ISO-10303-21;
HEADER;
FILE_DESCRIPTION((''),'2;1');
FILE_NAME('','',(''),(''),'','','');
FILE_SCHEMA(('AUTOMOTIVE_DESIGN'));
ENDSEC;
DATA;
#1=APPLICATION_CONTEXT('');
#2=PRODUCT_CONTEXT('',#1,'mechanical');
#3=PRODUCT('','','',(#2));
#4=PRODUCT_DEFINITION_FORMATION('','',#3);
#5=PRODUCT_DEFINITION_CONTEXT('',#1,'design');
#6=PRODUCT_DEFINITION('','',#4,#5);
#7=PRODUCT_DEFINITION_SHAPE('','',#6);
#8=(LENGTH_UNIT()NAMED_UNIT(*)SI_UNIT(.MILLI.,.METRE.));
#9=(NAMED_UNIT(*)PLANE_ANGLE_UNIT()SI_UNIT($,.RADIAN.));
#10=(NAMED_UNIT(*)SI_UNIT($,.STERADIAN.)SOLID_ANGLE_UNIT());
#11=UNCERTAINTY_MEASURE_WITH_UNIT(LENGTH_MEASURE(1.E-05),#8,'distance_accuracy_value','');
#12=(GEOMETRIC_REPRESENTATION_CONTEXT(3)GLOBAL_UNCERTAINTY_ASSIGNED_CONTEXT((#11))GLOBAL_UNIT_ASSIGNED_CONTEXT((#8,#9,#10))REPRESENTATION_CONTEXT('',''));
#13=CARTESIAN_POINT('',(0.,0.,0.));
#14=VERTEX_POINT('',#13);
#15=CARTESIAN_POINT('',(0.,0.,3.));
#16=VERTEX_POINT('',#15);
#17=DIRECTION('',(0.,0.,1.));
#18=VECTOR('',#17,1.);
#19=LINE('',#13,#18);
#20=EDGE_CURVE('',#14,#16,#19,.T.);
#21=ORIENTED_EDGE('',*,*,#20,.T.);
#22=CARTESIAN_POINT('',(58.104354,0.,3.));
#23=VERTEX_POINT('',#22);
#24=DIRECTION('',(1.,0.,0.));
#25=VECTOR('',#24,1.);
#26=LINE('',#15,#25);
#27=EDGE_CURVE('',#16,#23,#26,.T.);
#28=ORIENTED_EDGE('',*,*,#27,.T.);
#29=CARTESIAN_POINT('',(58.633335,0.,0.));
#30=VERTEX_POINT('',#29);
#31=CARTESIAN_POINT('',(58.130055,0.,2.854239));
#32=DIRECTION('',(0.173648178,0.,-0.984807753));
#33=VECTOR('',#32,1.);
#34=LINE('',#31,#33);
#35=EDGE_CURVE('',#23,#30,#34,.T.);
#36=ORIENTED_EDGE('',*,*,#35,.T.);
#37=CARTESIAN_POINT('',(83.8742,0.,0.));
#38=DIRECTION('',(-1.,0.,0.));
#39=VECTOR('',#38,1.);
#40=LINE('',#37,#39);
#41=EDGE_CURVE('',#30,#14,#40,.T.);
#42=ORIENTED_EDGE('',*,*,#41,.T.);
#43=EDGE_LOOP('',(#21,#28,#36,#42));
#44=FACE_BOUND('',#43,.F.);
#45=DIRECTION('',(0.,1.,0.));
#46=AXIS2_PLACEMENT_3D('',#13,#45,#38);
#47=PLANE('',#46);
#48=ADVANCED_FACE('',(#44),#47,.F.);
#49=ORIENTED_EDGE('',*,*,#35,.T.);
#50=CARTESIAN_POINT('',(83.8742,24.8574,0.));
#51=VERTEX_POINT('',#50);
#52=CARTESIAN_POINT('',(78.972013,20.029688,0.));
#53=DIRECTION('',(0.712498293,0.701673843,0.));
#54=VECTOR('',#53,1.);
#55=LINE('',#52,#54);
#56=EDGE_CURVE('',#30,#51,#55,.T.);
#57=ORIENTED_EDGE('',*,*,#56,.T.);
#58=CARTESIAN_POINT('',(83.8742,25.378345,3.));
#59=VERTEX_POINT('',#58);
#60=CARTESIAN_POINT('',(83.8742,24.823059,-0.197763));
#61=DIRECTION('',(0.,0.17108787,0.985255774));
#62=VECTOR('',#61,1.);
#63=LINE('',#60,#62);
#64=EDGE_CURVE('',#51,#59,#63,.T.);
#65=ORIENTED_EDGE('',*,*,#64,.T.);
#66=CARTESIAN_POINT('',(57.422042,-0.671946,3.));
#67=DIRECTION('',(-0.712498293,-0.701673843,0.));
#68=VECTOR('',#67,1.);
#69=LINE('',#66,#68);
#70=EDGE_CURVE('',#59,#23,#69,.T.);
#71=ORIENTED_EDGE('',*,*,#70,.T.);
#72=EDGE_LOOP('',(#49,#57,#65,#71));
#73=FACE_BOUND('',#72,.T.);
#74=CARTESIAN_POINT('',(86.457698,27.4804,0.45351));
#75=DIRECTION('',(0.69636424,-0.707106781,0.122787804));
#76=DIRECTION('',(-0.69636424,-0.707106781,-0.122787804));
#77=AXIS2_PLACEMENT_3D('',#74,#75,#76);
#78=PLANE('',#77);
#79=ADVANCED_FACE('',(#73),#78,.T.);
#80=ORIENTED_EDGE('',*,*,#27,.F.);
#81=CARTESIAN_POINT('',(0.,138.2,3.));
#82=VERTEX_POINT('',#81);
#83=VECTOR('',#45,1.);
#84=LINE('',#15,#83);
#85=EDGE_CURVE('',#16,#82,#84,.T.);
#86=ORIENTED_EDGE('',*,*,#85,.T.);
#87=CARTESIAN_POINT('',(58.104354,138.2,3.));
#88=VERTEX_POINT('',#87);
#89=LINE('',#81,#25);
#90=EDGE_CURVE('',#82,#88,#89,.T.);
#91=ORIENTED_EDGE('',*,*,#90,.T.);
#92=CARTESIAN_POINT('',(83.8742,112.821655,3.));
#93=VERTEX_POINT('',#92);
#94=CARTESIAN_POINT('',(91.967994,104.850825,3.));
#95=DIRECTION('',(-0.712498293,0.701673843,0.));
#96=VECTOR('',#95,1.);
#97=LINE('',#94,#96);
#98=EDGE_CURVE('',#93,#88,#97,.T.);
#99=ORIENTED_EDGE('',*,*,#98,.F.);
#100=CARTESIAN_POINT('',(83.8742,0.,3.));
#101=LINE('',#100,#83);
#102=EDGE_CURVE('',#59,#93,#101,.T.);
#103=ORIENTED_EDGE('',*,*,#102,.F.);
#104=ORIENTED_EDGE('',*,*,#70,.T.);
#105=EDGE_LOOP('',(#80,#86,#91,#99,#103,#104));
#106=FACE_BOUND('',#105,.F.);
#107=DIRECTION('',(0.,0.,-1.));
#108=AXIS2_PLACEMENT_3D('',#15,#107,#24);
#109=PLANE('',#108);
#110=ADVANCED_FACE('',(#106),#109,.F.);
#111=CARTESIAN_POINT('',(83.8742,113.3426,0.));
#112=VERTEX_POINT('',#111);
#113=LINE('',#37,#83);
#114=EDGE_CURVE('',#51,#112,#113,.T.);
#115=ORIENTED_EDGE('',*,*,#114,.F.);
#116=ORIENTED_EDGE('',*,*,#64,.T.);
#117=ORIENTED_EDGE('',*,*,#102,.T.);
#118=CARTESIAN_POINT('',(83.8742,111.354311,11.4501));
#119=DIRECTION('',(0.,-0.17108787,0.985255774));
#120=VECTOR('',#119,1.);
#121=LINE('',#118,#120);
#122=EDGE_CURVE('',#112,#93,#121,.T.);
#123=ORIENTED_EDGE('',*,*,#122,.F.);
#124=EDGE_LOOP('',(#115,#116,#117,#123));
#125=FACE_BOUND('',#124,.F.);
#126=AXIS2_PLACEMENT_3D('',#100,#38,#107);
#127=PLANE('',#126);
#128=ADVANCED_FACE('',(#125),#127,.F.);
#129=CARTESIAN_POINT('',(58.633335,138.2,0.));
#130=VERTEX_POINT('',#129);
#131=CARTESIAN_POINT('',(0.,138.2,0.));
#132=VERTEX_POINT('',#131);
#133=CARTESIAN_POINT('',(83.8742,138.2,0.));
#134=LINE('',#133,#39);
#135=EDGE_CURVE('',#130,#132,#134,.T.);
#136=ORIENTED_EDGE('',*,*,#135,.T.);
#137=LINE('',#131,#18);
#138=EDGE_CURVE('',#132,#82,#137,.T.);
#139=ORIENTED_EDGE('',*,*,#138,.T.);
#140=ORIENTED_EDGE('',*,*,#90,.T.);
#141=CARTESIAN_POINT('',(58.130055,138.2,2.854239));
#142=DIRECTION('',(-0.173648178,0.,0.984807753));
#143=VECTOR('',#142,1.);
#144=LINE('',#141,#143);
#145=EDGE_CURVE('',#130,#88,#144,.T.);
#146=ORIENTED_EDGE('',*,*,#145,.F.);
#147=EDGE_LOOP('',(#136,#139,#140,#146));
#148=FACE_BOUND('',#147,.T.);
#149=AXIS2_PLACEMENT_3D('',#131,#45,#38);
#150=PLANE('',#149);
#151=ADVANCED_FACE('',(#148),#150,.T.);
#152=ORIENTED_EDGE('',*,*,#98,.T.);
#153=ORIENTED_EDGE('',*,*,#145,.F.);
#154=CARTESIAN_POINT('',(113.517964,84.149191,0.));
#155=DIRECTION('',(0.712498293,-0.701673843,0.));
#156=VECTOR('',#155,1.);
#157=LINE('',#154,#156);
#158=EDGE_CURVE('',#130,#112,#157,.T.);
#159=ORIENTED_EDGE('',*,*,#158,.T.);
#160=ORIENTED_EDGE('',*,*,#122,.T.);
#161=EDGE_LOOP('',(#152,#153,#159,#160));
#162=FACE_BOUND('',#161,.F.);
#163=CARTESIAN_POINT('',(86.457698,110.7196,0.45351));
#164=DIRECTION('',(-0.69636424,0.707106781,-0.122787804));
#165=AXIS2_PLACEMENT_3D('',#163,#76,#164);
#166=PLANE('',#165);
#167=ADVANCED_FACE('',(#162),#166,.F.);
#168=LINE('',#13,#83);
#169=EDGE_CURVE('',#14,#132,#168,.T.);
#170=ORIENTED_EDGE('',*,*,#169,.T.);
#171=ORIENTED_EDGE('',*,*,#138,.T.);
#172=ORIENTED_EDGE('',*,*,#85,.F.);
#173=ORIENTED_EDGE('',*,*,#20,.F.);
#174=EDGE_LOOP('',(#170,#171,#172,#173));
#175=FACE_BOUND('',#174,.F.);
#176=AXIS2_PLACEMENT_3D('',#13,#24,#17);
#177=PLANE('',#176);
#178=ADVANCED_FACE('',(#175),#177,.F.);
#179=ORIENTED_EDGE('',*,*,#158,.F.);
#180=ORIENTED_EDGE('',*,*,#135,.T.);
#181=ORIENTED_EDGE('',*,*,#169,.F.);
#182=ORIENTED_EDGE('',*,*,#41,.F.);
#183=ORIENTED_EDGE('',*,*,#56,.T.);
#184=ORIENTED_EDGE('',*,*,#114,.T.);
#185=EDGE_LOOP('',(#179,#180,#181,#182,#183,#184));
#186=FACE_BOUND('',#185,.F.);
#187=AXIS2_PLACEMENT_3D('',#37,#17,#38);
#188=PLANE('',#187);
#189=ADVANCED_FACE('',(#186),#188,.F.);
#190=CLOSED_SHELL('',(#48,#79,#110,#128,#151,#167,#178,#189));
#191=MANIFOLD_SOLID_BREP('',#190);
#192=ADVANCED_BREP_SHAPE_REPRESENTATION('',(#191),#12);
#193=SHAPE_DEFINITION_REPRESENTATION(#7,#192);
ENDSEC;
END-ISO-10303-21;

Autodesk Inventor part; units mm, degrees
ref_plane "YZ Plane" through (0, 0, 0) normal (1, 0, 0) x (0, 1, 0)
ref_plane "XZ Plane" through (0, 0, 0) normal (0, 1, 0) x (-1, 0, 0)
ref_plane "XY Plane" through (0, 0, 0) normal (0, 0, 1) x (1, 0, 0)
sketch "Esboço1" plane through (0, 0, 0) normal (0, 1, 0) x (-1, 0, 0)
  line L0 (-83.8742, 0) -> (0, 0)
  line L1 (0, 0) -> (0, 3)
  line L2 (0, 3) -> (-83.8742, 3)
  line L3 (-83.8742, 3) -> (-83.8742, 0)
  dimension "d0" = 3
extrude "Extrusão1" add sketch "Esboço1" along normal blind 138.2
ref_plane "Plano de trabalho1" through (83.8742, 109.1, 0) normal (-0.1736, 0, 0.9848) x (0, -1, 0)
sketch "Esboço2" plane through (83.8742, 109.1, 0) normal (-0.1736, 0, 0.9848) x (0, -1, 0)
  line L0 (0.8787, 5.1213) -> (-31.2213, -26.9787)
  line L1 (79.1213, 5.1213) -> (111.2213, -26.9787)
  line L2 (120.2426, -26.2032) -> (-42, -26.2032)
  line L3 (-42, -26.2032) -> (-42, 2.623)
  line L4 (-42, 2.623) -> (120.2426, 2.623)
  line L5 (120.2426, 2.623) -> (120.2426, -26.2032)
  point P0 (109.1, -82.6)
  point P1 (-30.4458, -26.2032)
  point P2 (-1.6196, 2.623)
  point P3 (81.6196, 2.623)
  point P4 (110.4458, -26.2032)
extrude "Extrusão2" cut sketch "Esboço2" along normal blind 13.7 contours L0 L2 L3 L4 | L4 L5 L2 L1
properties part number "tampa"
